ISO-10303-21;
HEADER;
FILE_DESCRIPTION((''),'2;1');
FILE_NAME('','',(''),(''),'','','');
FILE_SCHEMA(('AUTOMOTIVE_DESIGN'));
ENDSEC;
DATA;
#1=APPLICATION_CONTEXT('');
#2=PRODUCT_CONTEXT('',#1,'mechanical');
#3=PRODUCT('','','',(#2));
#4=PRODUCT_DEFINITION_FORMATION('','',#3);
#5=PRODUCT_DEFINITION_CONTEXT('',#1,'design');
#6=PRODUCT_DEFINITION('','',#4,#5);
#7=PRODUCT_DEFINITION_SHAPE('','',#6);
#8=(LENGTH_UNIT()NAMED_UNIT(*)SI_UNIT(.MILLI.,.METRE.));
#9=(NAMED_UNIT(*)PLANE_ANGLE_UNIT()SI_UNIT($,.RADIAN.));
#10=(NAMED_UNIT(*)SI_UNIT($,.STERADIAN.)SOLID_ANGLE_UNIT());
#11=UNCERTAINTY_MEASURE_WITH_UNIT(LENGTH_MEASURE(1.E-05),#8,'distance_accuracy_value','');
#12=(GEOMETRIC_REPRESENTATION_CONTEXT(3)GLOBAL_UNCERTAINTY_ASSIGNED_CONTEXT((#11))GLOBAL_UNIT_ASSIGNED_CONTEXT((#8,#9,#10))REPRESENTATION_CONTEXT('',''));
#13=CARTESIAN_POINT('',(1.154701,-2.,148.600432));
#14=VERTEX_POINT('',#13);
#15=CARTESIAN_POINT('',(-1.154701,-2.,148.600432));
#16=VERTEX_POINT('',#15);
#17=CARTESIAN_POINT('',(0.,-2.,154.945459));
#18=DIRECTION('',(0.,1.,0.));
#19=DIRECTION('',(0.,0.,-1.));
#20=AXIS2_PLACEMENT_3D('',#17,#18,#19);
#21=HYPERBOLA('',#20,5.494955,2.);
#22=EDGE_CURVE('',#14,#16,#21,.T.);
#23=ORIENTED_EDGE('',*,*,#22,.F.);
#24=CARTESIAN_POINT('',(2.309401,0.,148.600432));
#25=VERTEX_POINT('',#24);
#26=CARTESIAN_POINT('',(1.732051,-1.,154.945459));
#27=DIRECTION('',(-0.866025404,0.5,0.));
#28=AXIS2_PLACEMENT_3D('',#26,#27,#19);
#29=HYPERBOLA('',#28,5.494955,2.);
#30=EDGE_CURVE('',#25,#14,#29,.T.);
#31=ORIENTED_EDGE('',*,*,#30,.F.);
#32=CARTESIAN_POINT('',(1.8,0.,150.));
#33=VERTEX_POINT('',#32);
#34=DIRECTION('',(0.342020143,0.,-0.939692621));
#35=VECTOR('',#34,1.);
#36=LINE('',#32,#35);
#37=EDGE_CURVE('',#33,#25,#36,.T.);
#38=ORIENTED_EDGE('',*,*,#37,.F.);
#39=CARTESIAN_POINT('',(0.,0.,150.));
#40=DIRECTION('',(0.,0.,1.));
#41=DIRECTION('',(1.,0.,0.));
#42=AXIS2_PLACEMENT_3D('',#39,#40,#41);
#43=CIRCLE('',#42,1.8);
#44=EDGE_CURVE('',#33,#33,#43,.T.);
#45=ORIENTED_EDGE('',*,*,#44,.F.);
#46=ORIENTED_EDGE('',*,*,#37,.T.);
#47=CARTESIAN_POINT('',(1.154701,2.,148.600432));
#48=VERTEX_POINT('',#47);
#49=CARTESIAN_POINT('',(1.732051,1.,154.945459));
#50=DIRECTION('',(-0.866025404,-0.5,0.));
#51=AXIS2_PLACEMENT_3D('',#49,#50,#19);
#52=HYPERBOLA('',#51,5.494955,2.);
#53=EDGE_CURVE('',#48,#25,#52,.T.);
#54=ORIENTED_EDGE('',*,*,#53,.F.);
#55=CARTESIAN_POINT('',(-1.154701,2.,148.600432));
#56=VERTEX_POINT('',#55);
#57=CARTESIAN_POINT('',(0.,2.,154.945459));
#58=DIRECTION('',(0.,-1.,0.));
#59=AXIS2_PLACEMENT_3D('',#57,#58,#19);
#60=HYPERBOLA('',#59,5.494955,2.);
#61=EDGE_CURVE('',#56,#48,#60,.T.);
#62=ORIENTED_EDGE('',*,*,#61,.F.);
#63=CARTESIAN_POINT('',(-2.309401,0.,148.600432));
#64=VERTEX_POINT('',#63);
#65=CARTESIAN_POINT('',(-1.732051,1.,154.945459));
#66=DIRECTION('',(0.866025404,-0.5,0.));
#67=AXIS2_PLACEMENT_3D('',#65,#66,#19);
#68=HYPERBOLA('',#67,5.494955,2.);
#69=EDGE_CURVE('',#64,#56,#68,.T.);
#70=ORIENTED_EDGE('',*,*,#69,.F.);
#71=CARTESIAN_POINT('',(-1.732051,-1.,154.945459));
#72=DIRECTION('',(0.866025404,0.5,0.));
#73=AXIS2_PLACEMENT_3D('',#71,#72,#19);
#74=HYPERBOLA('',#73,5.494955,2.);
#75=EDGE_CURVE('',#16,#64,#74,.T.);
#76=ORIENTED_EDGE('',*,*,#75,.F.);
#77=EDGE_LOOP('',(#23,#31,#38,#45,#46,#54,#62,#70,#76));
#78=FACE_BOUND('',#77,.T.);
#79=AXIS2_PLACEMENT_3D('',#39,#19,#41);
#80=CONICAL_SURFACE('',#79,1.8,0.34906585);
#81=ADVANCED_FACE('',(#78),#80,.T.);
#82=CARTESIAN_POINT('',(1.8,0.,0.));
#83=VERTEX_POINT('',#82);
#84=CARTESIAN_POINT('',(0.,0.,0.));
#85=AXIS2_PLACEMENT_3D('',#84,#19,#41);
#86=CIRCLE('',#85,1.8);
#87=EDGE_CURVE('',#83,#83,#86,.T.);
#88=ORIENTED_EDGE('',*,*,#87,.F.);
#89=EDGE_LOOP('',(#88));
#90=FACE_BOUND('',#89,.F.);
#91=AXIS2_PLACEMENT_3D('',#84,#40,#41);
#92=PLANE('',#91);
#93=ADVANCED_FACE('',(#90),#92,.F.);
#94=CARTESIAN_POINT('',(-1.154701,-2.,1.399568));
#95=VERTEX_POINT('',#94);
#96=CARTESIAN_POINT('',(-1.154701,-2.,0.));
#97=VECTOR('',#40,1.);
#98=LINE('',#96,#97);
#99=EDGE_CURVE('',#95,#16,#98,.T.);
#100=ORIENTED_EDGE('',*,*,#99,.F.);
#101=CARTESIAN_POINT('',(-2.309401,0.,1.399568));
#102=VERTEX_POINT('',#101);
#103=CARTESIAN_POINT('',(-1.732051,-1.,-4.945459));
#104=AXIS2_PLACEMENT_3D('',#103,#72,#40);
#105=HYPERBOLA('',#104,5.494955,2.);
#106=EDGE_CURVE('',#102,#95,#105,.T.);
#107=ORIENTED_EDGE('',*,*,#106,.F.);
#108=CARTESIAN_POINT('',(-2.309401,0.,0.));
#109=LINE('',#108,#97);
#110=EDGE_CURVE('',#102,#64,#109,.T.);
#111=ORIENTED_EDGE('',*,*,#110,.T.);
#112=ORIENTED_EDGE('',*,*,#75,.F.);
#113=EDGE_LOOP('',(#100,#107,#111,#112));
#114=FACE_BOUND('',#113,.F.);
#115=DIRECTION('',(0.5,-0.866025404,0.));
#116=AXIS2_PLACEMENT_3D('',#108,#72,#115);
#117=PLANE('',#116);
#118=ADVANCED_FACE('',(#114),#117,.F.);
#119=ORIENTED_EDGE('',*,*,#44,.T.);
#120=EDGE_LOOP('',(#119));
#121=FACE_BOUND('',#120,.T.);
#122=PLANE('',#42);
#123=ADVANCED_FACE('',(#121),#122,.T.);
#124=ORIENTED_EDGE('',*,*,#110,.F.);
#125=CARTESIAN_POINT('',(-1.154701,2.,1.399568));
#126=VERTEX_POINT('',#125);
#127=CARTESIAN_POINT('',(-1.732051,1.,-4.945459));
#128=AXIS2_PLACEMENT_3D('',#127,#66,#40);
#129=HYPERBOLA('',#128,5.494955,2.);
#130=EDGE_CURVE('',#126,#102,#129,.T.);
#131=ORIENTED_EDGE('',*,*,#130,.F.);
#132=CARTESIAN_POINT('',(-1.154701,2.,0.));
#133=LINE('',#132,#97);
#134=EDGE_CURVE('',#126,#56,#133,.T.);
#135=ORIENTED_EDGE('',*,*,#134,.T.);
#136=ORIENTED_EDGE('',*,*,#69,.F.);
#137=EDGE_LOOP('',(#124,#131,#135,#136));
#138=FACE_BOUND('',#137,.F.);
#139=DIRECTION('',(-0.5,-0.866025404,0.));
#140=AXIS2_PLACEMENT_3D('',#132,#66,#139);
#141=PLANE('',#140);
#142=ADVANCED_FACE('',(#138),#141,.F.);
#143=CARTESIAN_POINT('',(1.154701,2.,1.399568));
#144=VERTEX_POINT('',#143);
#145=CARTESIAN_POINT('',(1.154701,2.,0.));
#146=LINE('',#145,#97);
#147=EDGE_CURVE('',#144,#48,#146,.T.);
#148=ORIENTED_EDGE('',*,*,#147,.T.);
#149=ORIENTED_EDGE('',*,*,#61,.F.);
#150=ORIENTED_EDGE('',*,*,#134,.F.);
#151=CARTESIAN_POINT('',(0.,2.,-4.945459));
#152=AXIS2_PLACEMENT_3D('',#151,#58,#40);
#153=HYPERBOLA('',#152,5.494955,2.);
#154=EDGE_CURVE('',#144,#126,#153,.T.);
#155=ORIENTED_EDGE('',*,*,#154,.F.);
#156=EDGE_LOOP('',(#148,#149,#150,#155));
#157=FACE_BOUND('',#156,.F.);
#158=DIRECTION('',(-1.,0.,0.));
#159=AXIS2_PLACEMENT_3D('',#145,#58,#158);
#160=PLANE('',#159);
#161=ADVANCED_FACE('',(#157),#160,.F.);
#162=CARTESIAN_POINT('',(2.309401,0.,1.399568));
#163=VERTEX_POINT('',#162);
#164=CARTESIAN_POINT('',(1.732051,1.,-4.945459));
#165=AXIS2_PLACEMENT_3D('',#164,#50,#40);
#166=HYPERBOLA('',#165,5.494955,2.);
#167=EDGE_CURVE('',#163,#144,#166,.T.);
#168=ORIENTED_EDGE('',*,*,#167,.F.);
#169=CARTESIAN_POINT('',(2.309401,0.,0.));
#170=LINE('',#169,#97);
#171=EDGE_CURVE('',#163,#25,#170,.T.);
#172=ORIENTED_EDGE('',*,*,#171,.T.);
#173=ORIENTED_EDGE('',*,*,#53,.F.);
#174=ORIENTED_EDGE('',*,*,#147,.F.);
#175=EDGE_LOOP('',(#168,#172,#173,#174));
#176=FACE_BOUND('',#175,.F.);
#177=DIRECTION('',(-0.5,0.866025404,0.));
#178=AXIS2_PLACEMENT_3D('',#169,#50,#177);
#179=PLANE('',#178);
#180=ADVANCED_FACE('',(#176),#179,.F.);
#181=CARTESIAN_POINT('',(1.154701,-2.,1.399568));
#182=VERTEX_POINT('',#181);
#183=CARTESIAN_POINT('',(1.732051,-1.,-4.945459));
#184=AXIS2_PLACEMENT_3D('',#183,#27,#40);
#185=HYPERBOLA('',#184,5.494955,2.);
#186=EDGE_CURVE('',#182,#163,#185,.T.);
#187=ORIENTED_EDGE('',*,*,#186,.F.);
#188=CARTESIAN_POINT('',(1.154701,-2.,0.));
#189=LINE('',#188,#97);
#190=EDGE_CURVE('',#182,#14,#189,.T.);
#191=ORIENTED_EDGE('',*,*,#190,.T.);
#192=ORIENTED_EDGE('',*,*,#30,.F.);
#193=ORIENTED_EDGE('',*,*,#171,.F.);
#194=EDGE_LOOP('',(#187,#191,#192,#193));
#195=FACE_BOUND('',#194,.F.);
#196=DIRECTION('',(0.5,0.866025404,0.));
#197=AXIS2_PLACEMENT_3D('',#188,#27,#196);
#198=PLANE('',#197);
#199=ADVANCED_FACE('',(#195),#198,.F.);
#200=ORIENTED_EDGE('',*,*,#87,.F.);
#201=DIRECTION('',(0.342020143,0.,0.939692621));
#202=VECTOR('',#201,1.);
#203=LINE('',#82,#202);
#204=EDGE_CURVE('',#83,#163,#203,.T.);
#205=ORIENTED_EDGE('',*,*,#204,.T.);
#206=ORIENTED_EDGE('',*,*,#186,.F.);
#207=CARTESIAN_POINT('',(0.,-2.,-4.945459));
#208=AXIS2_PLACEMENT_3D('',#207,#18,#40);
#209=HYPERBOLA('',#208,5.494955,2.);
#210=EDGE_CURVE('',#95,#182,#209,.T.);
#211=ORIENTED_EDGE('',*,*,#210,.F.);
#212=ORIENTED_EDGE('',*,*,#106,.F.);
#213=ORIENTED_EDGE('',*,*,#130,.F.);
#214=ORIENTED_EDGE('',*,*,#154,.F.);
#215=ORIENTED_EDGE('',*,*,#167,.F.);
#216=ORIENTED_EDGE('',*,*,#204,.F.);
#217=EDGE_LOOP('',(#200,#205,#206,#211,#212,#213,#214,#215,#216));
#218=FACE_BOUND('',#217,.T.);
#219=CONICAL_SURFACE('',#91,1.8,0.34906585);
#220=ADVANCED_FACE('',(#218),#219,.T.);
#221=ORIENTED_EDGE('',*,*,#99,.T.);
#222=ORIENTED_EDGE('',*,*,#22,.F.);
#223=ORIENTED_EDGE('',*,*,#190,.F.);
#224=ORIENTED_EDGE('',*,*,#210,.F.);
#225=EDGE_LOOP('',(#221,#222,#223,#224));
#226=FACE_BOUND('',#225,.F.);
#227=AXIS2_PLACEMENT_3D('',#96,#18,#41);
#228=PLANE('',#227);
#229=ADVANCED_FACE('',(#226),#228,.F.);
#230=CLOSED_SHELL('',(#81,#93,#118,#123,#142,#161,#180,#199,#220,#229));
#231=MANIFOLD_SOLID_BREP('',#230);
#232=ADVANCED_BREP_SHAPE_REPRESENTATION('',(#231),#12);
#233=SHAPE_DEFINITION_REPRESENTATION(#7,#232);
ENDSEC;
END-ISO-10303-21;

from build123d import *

# Parameters (mm, degrees)
SALIENTE_EXTRUIR1_DEPTH   = 150
CROQUIS2_OUTSIDE_W        = 38.098
CROQUIS2_OUTSIDE_H        = 37.48
CROQUIS2_OUTSIDE_R        = 1.8
CORTAR_EXTRUIR2_DEPTH     = 2
CORTAR_EXTRUIR2_DRAFT     = -20
SIMETR_A1_COPY_1_SKETCH_W = 38.098
SIMETR_A1_COPY_1_SKETCH_H = 37.48
SIMETR_A1_COPY_1_SKETCH_R = 1.8
SIMETR_A1_COPY_1_DEPTH    = 2
SIMETR_A1_COPY_1_DRAFT    = -20


with BuildPart() as part:
    # Croquis1 → Saliente-Extruir1 (new body)
    with BuildSketch(Plane.XY):
        Polygon((2.309401077, 0), (1.154700538, 2), (-1.154700538, 2), (-2.309401077, 0), (-1.154700538, -2), (1.154700538, -2), align=None)
    extrude(amount=SALIENTE_EXTRUIR1_DEPTH)


with BuildPart() as cortar_extruir2_tool:
    # Croquis2 outside → Cortar-Extruir2 (with draft: the straight prism first)
    with BuildSketch(Plane.XY.offset(150)):
        Rectangle(CROQUIS2_OUTSIDE_W, CROQUIS2_OUTSIDE_H)
        Circle(CROQUIS2_OUTSIDE_R, mode=Mode.SUBTRACT)
    extrude(amount=-CORTAR_EXTRUIR2_DEPTH)
    # Cortar-Extruir2: the draft: its side faces are tilted about the plane it starts from
    cortar_extruir2_sides = [cortar_extruir2_tool.faces().sort_by_distance(p)[0] for p in [
        (0, -18.74, 149),
        (19.049, 0, 149),
        (0, 18.74, 149),
        (-19.049, 0, 149),
        (-1.8, 0, 149),
    ]]
    draft(cortar_extruir2_sides, Plane.XY.offset(150), CORTAR_EXTRUIR2_DRAFT)


with BuildPart() as part_1:
    add(part.part)

    # Cortar-Extruir2: cut by cortar_extruir2_tool
    add(cortar_extruir2_tool.part, mode=Mode.SUBTRACT)


with BuildPart() as simetr_a1_copy_1_tool:
    # Simetría1 copy 1 sketch → Simetría1 copy 1 (with draft: the straight prism first)
    with BuildSketch(Plane(origin=(0, 0, 0), x_dir=(1, 0, 0), z_dir=(0, 0, -1))):
        Rectangle(SIMETR_A1_COPY_1_SKETCH_W, SIMETR_A1_COPY_1_SKETCH_H)
        Circle(SIMETR_A1_COPY_1_SKETCH_R, mode=Mode.SUBTRACT)
    extrude(amount=-SIMETR_A1_COPY_1_DEPTH)
    # Simetría1 copy 1: the draft: its side faces are tilted about the plane it starts from
    simetr_a1_copy_1_sides = [simetr_a1_copy_1_tool.faces().sort_by_distance(p)[0] for p in [
        (0, -18.74, 1),
        (19.049, 0, 1),
        (0, 18.74, 1),
        (-19.049, 0, 1),
        (-1.8, 0, 1),
    ]]
    draft(simetr_a1_copy_1_sides, Plane(origin=(0, 0, 0), x_dir=(1, 0, 0), z_dir=(0, 0, -1)), SIMETR_A1_COPY_1_DRAFT)


with BuildPart() as part_2:
    add(part_1.part)

    # Simetría1 copy 1: cut by simetr_a1_copy_1_tool
    add(simetr_a1_copy_1_tool.part, mode=Mode.SUBTRACT)


solid = part_2.part
